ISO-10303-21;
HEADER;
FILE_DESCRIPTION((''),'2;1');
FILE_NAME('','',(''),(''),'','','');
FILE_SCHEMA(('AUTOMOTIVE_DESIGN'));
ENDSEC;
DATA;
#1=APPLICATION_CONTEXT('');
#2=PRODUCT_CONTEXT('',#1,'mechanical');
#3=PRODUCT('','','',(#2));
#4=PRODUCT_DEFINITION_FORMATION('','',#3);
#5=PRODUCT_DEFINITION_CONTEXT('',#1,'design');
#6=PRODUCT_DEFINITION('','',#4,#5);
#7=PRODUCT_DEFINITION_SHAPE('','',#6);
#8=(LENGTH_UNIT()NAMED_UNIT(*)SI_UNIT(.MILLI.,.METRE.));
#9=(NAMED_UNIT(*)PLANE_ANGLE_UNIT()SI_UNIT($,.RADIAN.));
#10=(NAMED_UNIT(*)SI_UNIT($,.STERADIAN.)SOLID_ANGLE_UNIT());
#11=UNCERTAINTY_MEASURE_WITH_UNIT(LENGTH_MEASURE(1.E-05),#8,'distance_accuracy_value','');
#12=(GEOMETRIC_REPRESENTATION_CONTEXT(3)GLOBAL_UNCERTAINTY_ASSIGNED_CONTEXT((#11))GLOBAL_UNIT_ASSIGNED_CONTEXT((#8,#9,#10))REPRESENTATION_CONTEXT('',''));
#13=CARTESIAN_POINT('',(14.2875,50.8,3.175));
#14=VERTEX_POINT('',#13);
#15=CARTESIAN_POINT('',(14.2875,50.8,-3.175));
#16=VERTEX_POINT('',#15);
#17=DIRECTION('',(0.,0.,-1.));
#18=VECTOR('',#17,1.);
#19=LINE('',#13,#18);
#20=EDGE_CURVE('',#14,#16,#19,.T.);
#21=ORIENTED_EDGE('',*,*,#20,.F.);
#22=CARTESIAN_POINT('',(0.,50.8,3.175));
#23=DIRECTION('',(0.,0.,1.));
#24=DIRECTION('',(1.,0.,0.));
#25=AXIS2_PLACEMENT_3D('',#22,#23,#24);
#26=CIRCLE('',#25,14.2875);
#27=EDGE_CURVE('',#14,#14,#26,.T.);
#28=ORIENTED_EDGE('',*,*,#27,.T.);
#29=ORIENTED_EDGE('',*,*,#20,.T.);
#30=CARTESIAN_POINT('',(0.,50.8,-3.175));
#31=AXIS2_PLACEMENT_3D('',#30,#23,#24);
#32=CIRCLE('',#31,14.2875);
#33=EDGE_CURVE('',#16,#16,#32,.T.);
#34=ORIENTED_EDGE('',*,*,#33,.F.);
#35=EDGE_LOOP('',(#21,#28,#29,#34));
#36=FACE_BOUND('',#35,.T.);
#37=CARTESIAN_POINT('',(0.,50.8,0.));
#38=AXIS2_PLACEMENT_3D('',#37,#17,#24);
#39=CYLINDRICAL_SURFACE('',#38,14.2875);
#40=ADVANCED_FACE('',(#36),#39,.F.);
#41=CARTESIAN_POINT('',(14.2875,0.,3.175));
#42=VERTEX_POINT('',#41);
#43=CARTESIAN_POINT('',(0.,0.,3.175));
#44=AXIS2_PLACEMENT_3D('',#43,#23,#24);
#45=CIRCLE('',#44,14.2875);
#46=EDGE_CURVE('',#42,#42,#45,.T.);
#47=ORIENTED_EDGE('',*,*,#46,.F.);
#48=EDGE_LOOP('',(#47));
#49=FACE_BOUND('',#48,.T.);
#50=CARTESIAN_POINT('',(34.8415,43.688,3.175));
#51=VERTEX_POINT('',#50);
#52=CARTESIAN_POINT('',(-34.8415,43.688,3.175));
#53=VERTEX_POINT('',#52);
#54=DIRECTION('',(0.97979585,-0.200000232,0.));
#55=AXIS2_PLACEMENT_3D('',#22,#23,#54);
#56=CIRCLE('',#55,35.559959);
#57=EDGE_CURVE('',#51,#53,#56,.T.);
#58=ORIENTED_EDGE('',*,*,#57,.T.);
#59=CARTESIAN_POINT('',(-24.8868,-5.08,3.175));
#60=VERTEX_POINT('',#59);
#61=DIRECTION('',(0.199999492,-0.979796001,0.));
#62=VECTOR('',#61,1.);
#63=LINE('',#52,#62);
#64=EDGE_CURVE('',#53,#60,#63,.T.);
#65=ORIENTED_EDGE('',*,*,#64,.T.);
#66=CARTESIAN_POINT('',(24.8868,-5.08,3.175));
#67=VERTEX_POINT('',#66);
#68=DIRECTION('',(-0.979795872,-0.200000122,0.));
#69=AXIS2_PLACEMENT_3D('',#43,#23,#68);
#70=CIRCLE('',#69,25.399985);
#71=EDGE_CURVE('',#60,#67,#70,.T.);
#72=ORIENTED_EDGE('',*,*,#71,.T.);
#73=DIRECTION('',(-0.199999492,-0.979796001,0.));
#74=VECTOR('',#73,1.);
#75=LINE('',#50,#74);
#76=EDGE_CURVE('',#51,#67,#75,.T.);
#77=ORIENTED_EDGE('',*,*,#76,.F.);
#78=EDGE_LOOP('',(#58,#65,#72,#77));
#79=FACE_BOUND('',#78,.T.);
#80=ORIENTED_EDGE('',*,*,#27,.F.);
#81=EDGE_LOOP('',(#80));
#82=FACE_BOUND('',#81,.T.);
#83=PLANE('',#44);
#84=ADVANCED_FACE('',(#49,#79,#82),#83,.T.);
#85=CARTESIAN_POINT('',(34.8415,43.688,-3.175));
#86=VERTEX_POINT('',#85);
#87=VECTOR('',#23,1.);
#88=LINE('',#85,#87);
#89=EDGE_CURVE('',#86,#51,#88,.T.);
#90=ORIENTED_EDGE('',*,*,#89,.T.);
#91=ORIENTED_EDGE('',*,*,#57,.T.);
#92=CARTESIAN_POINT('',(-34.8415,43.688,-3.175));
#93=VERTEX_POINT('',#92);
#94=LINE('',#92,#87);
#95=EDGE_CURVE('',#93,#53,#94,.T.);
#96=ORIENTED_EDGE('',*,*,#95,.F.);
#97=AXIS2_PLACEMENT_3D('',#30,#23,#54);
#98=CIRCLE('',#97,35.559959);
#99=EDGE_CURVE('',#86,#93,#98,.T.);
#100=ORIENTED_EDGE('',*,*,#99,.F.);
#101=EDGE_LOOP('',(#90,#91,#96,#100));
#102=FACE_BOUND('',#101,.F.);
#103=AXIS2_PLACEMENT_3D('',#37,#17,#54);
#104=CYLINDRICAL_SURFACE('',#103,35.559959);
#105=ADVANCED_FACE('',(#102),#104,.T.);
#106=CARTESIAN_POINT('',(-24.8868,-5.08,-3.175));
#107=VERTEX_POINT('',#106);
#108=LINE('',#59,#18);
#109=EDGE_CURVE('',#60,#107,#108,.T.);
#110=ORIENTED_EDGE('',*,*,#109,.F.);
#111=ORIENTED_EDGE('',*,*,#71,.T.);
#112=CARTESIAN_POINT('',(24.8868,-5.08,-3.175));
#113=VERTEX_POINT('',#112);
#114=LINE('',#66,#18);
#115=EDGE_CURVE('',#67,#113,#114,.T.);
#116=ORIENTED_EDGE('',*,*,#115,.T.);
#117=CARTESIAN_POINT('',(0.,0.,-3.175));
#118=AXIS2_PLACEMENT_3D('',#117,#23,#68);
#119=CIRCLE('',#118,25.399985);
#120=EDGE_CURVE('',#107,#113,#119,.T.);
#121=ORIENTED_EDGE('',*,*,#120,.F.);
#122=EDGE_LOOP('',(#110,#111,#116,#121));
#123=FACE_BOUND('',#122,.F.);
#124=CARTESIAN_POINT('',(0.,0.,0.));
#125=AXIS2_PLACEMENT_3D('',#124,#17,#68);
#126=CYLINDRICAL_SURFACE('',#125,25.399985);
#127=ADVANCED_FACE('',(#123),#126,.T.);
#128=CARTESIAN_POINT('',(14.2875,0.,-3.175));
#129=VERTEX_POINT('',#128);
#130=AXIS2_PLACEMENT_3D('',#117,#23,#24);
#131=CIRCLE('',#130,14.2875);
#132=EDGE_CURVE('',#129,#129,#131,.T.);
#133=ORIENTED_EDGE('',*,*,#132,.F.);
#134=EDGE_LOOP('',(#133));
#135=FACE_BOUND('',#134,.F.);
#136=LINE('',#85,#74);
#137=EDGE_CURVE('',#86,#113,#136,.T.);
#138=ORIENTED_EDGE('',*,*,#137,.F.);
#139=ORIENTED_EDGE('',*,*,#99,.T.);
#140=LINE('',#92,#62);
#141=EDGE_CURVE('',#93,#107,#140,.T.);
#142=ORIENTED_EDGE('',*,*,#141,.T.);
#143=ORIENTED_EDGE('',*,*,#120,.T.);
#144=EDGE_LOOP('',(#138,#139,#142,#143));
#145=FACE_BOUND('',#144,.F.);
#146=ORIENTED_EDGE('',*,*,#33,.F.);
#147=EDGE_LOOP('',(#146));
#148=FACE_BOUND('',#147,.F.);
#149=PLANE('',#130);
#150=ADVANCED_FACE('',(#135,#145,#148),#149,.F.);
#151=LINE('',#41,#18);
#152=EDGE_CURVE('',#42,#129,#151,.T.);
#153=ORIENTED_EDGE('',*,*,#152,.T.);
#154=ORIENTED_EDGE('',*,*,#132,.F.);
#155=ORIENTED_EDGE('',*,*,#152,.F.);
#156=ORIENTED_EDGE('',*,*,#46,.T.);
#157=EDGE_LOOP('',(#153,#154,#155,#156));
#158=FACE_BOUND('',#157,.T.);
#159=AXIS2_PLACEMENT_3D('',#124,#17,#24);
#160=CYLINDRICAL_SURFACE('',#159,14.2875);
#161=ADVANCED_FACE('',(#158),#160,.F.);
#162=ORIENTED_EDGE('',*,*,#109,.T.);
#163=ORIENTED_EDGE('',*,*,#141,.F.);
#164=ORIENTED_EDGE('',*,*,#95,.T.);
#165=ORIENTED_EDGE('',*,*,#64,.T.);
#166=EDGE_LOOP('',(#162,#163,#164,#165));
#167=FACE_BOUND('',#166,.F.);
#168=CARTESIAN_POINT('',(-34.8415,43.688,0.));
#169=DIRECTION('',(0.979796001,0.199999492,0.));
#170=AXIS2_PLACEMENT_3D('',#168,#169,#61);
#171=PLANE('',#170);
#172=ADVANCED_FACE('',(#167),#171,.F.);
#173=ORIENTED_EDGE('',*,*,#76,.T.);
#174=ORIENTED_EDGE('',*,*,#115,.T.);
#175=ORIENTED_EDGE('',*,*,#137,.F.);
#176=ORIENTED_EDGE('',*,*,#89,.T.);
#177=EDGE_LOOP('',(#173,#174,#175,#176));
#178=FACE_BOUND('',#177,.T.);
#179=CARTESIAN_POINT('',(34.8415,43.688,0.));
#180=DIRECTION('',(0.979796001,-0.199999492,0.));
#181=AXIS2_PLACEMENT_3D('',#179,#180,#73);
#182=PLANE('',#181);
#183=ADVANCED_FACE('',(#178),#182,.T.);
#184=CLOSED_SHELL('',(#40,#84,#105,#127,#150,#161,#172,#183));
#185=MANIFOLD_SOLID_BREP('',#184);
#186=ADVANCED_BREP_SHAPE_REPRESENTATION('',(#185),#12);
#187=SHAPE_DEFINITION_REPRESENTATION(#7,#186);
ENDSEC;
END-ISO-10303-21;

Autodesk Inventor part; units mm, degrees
ref_plane "YZ Plane" through (0, 0, 0) normal (1, 0, 0) x (0, 1, 0)
ref_plane "XZ Plane" through (0, 0, 0) normal (0, 1, 0) x (-1, 0, 0)
ref_plane "XY Plane" through (0, 0, 0) normal (0, 0, 1) x (1, 0, 0)
sketch "Sketch1" plane through (0, 0, 0) normal (0, 0, 1) x (1, 0, 0)
  circle A0 centre (0, 0) radius 14.2875
  circle A1 centre (0, 0) radius 20.32 construction
  circle A2 centre (0, 50.8) radius 30.48 construction
  circle A3 centre (0, 50.8) radius 14.2875
  circle A4 centre (0, 50.8) radius 35.56 construction
  circle A5 centre (0, 0) radius 25.4 construction
  line L0 (34.8415, 43.688) -> (24.8868, -5.08)
  line L1 (-34.8415, 43.688) -> (-24.8868, -5.08)
  arc A6 (34.8415, 43.688) -> (-34.8415, 43.688) centre (0, 50.8) ccw
  arc A7 (-24.8868, -5.08) -> (24.8868, -5.08) centre (0, 0) ccw
  dimension "d0" = 28.575
  dimension "d2" = 40.64
  dimension "d6" = 60.96
  dimension "d7" = 28.575
  dimension "d9" = 5.08
  dimension "d10" = 5.08
extrude "Extrusion1" add sketch "Sketch1" along normal mid plane 6.35
properties part number "Revised Gearbox Plate #1" material "Aluminum 6061"
